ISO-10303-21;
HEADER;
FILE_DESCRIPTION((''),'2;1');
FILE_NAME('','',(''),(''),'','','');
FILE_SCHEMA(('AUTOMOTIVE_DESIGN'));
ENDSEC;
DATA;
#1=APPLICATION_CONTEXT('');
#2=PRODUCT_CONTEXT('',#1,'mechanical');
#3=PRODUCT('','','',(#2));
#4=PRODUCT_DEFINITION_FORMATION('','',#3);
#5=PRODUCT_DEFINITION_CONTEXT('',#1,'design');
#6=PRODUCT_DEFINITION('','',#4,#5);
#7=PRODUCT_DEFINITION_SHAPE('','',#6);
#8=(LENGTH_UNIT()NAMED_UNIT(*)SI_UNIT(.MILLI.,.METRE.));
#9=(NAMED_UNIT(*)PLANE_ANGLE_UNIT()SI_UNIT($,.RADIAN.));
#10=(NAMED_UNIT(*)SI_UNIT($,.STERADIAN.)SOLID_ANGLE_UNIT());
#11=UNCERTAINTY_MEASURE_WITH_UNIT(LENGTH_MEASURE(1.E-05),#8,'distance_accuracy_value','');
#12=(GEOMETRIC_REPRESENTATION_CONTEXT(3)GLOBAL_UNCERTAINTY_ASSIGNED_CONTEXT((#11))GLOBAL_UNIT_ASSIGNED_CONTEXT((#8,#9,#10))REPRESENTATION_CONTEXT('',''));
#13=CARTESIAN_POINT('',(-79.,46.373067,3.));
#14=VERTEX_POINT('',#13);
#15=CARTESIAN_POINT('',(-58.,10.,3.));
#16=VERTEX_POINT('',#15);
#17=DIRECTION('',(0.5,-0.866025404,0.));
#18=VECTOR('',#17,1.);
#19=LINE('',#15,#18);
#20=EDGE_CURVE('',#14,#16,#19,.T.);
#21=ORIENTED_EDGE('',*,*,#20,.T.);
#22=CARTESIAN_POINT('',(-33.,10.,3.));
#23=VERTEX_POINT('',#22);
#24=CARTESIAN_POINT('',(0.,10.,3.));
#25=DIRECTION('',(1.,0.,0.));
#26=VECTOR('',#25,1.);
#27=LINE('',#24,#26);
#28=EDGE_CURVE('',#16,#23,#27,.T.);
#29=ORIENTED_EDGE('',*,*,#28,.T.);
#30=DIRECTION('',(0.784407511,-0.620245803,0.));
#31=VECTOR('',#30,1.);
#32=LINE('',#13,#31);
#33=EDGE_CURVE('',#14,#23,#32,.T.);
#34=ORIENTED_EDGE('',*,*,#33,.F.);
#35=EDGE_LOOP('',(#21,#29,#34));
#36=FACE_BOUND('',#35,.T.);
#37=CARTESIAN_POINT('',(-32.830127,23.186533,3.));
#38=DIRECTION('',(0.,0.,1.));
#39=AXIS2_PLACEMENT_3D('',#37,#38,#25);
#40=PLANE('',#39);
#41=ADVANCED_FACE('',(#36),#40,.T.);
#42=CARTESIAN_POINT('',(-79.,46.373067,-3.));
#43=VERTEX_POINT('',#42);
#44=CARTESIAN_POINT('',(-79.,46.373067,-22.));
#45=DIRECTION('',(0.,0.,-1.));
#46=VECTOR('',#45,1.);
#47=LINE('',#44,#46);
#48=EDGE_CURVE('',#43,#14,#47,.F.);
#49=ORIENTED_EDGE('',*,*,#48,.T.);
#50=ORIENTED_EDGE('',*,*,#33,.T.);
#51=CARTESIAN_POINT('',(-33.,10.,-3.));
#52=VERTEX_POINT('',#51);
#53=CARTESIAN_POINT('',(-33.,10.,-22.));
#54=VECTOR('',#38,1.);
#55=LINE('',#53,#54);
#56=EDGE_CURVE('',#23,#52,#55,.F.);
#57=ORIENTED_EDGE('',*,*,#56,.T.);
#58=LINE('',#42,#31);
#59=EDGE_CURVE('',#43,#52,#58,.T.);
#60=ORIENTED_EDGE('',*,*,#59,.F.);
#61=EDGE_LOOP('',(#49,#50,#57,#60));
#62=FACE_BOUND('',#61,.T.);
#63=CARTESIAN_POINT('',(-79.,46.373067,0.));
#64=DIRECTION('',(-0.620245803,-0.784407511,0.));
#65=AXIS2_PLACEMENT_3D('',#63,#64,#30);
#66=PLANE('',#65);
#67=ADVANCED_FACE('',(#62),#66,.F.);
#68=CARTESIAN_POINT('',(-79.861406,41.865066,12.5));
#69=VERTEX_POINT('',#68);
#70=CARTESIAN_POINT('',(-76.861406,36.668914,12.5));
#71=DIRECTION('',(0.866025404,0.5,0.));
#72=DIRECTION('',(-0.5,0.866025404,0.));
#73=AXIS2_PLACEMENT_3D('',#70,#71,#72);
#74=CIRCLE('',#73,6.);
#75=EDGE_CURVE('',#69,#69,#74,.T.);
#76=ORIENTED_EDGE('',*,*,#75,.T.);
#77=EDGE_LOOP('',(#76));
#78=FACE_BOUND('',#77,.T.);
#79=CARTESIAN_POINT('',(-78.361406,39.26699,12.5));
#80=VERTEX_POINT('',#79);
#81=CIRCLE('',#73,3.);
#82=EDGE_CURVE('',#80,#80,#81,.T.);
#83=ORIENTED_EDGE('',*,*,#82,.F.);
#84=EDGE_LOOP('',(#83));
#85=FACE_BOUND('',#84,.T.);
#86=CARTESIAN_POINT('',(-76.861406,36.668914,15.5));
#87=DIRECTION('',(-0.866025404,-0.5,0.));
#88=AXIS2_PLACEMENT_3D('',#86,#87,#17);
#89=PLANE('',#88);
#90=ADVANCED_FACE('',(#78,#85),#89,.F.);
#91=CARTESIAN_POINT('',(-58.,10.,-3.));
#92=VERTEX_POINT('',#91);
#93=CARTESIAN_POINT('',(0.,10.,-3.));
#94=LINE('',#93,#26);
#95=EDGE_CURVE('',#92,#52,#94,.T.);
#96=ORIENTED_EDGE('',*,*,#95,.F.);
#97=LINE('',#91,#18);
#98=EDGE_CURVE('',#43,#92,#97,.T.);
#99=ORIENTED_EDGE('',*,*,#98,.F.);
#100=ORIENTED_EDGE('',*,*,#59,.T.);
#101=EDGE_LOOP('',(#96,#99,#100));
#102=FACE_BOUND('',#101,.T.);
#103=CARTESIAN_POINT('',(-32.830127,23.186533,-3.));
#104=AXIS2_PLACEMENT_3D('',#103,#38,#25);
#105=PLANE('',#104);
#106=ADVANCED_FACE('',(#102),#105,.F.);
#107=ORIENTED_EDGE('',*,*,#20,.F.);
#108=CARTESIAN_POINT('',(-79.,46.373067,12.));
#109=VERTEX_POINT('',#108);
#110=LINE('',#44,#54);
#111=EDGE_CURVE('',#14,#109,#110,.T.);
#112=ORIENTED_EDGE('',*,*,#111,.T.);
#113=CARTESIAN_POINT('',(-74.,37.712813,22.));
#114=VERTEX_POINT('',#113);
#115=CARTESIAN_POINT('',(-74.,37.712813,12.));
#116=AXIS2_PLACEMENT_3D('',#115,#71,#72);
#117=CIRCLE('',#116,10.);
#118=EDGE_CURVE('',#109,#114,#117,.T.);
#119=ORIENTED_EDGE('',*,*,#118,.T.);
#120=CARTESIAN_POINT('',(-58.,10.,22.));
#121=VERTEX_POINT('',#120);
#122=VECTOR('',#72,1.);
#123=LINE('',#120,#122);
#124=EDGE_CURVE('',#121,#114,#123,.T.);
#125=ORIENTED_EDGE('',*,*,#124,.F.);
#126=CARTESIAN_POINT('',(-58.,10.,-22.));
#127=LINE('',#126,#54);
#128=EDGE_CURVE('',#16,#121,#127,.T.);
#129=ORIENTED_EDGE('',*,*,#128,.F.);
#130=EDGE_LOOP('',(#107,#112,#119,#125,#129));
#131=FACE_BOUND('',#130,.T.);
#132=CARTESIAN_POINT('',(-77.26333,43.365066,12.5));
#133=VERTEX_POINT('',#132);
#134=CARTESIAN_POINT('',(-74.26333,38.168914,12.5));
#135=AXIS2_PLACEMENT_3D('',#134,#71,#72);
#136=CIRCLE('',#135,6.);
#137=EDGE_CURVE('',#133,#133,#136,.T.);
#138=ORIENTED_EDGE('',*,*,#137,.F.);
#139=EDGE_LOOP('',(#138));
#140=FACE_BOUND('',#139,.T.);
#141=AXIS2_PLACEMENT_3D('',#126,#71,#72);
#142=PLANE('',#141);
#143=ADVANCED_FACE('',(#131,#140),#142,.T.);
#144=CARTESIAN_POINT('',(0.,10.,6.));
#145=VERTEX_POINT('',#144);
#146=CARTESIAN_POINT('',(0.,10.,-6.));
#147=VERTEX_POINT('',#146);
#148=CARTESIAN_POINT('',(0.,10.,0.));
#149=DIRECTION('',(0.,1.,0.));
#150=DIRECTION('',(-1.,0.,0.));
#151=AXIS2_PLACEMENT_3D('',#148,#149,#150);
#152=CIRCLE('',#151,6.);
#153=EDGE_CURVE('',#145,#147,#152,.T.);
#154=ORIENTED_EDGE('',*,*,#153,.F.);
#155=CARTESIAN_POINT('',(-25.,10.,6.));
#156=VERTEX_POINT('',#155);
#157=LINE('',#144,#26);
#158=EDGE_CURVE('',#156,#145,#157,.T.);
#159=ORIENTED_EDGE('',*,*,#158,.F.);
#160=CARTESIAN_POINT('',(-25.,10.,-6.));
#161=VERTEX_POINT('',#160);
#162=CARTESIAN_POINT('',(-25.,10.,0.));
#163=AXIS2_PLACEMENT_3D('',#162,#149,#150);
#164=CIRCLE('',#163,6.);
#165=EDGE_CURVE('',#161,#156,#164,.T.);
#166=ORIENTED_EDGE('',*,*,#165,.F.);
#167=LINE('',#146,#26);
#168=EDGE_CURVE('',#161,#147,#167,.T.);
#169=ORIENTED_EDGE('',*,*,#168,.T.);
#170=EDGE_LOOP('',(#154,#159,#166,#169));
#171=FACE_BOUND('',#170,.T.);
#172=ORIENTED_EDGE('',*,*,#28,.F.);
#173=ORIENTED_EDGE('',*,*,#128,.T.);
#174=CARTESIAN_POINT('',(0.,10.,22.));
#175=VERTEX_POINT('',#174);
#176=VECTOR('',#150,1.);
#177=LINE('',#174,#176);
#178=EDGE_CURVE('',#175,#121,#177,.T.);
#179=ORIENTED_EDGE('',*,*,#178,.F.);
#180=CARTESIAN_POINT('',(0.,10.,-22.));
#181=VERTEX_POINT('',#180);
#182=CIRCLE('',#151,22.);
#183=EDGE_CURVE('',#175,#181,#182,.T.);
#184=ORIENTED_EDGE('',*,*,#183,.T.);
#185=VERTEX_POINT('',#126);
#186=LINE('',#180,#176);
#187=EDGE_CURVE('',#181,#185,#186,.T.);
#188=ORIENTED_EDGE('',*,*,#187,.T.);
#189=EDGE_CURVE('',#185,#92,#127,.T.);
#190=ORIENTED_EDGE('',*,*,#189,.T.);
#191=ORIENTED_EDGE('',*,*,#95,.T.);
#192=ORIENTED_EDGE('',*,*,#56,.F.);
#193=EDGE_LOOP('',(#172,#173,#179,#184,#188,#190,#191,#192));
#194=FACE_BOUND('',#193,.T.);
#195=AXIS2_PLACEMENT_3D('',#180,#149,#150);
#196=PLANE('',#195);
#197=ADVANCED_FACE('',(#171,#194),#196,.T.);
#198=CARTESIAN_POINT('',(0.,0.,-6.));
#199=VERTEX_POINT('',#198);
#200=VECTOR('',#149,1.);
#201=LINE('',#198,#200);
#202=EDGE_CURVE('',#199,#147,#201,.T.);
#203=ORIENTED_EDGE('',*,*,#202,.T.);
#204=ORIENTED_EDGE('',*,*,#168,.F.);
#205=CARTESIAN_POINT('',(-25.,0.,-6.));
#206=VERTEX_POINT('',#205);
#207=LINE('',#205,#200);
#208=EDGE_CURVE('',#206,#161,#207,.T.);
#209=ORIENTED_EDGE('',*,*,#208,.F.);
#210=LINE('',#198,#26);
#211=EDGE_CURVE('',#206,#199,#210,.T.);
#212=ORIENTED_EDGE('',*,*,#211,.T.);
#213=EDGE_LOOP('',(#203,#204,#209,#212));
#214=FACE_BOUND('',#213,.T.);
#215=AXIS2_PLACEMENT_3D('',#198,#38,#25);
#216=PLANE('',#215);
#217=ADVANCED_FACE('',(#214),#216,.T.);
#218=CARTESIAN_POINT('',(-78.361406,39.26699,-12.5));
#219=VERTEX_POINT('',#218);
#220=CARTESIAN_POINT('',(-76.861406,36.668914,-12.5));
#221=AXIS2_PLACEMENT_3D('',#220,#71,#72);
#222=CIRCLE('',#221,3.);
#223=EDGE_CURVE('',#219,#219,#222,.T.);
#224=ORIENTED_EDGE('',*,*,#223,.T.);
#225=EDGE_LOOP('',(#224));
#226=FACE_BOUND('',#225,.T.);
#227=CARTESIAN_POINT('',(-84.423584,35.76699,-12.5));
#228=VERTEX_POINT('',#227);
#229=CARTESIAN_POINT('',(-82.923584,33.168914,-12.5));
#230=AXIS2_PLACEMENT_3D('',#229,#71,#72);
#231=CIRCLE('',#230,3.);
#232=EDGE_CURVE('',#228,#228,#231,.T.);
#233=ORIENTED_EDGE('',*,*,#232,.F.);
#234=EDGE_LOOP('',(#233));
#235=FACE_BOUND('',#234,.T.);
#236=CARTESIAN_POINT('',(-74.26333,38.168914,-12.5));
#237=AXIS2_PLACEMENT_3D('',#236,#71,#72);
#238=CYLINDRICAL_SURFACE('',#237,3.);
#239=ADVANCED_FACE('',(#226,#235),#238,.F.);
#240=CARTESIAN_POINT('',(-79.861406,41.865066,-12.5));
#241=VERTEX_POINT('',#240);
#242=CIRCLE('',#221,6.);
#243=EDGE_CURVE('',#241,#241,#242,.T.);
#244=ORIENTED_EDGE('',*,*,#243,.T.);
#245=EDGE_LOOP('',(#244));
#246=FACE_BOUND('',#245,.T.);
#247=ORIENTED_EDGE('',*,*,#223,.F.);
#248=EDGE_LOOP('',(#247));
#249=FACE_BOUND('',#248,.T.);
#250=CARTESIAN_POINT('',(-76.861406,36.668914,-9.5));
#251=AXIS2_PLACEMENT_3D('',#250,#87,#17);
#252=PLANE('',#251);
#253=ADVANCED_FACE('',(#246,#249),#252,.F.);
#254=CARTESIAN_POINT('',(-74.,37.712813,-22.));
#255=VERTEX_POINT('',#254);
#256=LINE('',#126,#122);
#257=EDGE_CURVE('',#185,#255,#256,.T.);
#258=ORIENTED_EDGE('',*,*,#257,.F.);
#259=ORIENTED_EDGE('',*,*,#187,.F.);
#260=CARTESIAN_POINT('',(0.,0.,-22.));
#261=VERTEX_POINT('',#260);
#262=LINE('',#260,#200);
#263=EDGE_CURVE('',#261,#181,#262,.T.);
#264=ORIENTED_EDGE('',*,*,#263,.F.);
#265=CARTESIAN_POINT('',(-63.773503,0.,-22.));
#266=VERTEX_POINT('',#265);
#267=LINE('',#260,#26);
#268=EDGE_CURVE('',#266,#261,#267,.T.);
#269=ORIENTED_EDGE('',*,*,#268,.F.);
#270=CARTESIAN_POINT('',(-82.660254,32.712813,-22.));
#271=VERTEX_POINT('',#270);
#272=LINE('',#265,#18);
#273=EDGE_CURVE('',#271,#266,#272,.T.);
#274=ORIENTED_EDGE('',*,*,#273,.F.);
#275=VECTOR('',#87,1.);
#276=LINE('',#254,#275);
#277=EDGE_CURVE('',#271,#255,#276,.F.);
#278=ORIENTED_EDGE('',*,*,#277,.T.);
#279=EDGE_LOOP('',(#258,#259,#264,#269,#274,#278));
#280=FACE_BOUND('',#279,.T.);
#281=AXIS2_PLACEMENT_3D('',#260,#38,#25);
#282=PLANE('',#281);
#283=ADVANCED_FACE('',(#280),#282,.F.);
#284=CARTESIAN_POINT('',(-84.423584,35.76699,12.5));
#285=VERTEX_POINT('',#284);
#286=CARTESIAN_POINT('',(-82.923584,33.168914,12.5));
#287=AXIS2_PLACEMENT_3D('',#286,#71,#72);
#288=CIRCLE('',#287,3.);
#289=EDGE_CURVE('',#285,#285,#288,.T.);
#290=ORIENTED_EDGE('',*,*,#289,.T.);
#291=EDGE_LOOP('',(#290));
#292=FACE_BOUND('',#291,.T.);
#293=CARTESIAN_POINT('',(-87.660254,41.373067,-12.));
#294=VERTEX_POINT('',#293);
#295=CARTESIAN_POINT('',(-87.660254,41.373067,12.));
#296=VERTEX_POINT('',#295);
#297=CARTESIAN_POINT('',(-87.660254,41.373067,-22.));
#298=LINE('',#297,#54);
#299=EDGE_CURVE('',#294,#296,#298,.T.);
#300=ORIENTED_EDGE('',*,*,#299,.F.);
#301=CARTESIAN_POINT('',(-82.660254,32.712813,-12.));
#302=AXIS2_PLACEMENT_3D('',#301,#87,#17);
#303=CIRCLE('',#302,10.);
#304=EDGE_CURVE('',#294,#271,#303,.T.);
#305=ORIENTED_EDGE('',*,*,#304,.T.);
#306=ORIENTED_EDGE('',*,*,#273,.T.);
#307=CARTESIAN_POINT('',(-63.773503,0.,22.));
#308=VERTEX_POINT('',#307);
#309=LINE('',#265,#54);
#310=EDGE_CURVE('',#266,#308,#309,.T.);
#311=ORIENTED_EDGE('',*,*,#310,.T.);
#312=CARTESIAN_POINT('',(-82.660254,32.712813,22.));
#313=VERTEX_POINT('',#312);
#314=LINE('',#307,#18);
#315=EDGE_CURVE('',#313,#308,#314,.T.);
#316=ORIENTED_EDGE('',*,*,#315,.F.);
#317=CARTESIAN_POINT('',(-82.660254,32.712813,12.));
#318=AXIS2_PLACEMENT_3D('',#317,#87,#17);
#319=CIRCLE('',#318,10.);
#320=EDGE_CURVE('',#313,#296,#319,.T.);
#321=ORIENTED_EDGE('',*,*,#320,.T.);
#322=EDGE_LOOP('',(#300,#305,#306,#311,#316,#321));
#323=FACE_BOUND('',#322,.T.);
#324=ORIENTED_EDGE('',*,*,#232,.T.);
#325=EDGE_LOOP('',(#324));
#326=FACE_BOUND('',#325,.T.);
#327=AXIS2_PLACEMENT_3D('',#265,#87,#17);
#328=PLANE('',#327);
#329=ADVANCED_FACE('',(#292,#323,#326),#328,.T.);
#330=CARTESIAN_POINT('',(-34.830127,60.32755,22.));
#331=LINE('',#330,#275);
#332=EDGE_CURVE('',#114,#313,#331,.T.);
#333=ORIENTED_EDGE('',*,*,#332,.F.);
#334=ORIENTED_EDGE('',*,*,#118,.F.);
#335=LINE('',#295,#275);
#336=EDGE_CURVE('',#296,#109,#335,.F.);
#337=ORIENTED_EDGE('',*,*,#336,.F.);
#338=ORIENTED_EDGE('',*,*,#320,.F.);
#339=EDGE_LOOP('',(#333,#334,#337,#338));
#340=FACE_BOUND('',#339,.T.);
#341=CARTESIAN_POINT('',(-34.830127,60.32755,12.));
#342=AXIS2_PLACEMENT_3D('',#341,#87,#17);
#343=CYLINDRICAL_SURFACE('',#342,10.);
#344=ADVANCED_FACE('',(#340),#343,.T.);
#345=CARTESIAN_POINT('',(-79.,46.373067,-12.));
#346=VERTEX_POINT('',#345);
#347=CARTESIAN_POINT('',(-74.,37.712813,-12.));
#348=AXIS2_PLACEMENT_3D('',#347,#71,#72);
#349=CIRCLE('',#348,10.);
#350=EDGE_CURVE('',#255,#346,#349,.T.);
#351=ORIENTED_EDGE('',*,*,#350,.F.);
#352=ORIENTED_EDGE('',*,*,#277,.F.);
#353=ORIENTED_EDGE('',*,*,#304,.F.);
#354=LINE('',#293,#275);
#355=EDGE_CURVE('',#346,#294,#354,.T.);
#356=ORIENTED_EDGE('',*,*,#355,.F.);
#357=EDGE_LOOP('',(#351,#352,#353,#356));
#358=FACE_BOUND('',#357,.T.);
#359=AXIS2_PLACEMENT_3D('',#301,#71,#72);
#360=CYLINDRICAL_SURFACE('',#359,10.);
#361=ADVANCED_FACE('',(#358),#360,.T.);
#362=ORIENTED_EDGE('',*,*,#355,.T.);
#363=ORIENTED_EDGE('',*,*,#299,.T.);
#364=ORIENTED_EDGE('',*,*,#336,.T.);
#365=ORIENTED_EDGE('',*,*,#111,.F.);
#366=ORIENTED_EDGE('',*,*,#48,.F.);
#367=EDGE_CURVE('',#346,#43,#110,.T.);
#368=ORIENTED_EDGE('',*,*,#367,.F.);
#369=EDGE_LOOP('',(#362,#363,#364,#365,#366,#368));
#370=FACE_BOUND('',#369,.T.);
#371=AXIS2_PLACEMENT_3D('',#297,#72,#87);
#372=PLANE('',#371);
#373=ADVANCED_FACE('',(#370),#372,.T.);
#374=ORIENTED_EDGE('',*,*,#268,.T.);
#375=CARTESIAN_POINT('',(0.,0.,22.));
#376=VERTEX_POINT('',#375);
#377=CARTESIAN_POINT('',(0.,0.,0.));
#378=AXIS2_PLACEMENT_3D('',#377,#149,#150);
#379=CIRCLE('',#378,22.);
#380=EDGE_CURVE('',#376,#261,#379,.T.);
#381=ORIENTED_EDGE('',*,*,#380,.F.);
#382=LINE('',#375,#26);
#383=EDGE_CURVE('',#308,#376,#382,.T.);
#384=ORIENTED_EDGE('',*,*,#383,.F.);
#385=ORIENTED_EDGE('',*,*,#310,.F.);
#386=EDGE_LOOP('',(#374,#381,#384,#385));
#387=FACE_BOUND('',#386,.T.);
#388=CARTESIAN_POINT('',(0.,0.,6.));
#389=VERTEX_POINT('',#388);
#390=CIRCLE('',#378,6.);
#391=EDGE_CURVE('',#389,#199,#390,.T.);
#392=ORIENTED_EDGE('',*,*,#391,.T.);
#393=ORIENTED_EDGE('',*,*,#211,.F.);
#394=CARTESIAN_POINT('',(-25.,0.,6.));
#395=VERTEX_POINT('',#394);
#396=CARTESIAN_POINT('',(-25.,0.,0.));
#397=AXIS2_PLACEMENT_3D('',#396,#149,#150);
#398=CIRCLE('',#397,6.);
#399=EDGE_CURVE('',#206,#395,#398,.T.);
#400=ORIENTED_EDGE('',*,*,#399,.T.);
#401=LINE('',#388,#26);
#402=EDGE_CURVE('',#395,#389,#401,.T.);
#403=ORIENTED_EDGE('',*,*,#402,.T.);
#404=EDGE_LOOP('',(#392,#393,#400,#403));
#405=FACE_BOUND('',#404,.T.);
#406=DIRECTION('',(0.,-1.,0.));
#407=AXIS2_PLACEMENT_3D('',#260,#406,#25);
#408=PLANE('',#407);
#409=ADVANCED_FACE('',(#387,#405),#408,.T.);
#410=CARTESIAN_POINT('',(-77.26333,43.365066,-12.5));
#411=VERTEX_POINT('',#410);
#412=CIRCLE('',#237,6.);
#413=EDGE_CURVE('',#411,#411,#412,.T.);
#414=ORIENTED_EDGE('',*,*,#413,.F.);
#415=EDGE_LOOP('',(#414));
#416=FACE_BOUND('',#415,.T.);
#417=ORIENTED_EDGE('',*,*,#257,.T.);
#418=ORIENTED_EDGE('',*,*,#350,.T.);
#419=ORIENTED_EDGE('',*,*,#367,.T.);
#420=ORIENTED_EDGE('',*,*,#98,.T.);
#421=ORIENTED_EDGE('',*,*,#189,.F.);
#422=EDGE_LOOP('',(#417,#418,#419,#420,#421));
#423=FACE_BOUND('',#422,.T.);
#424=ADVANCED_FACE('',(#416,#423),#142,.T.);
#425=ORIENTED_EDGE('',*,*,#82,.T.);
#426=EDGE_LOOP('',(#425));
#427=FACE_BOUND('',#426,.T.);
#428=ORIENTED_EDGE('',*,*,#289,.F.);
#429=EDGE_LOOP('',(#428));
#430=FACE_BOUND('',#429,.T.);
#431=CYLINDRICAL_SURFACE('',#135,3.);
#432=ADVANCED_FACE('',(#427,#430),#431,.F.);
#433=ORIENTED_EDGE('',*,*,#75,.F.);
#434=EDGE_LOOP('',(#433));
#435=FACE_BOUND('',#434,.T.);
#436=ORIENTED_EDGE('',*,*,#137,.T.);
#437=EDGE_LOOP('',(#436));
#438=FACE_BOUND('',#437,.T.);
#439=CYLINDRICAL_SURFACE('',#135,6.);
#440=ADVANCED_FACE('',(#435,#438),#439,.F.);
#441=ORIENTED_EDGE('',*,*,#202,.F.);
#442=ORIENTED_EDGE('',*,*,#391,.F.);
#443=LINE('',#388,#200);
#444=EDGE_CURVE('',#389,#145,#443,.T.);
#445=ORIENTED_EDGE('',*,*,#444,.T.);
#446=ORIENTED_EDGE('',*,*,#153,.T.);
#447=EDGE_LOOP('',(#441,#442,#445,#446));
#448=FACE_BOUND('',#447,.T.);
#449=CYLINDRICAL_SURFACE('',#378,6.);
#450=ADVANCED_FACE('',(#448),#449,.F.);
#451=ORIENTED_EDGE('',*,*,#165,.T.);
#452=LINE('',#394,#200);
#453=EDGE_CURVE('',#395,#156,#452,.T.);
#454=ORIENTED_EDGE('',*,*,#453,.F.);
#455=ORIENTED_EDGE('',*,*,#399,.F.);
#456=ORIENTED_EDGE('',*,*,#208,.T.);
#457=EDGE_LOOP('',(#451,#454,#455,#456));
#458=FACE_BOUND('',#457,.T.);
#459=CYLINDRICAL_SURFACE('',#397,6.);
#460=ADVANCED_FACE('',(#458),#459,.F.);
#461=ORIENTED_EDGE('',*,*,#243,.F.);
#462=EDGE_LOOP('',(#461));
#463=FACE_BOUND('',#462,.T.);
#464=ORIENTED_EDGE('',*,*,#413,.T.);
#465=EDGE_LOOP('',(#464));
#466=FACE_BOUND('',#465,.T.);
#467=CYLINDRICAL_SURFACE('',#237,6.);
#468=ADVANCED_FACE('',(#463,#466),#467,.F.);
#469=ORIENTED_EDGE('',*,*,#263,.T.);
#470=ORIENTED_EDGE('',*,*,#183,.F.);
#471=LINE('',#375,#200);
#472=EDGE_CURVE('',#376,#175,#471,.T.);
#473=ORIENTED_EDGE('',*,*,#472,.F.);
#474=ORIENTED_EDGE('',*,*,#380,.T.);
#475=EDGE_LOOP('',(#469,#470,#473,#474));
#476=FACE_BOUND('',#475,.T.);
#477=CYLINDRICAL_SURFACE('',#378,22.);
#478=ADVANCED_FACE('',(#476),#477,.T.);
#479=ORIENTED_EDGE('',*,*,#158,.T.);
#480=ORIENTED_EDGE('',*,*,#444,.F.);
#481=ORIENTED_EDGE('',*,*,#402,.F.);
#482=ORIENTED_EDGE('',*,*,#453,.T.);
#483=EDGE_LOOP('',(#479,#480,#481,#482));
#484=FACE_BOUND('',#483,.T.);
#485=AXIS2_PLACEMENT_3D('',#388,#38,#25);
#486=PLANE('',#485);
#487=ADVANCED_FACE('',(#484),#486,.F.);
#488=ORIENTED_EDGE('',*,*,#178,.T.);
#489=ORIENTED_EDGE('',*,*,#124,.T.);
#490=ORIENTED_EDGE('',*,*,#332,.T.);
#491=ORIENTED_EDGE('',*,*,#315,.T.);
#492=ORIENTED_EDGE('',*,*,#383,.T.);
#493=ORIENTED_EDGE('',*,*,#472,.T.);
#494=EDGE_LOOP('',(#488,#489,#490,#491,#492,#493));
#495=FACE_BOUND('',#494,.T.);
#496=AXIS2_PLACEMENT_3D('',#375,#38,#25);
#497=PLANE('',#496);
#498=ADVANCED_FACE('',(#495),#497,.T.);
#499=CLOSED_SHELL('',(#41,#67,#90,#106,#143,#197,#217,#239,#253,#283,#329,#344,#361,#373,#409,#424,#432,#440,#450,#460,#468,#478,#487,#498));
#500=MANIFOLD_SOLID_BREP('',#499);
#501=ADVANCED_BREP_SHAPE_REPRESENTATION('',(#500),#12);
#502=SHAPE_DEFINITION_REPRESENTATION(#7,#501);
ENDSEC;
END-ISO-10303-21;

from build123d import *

# Parameters (mm, degrees)
BOSS_EXTRUDE1_DEPTH                     = 22
BOSS_EXTRUDE1_DEPTH_BACK                = 22
BOSS_EXTRUDE3_DEPTH                     = 10
CUT_EXTRUDE2_DEPTH                      = 10
RIB1_REACH                              = 103.581
SKETCH4_WALL_W                          = 263.805794056
SKETCH4_WALL_H                          = 6
CBORE_FOR_M5_HEX_HEAD_BOLT1_D           = 6
CBORE_FOR_M5_HEX_HEAD_BOLT1_DEPTH       = 10
CBORE_FOR_M5_HEX_HEAD_BOLT1_CBORE_D     = 12
CBORE_FOR_M5_HEX_HEAD_BOLT1_CBORE_DEPTH = 3
CBORE_FOR_M5_HEX_HEAD_BOLT1_TIP         = 1.732050808
FILLET1_R                               = 10


with BuildPart() as part:
    # Sketch1 → Boss-Extrude1 (new, two sides: drawn at the far end of the back side and taken through both)
    with BuildSketch(Plane.XY.offset(-BOSS_EXTRUDE1_DEPTH_BACK)):
        Polygon((0, 0), (-63.773502692, 0), (-87.660254038, 41.373066959), (-79, 46.373066959), (-58, 10), (0, 10), align=None)
    extrude(amount=BOSS_EXTRUDE1_DEPTH + BOSS_EXTRUDE1_DEPTH_BACK)

    # Sketch3 → Boss-Extrude3 (add)
    with BuildSketch(Plane(origin=(0, 10, 0), x_dir=(1, 0, 0), z_dir=(0, 1, 0))):
        with BuildLine():
            Line((0, -6), (0, -22))
            ThreePointArc((0, -22), (22, 0), (0, 22))
            Line((0, 22), (0, 6))
            ThreePointArc((0, 6), (6, 0), (0, -6))
        make_face()
    extrude(amount=-BOSS_EXTRUDE3_DEPTH)

    # Sketch3<3> → Cut-Extrude2 (cut)
    with BuildSketch(Plane(origin=(0, 10, 0), x_dir=(1, 0, 0), z_dir=(0, 1, 0))):
        with BuildLine():
            ThreePointArc((0, -6), (6, 0), (0, 6))
            Line((0, 6), (-25, 6))
            ThreePointArc((-25, 6), (-31, 0), (-25, -6))
            Line((-25, -6), (0, -6))
        make_face()
    extrude(amount=-CUT_EXTRUDE2_DEPTH, mode=Mode.SUBTRACT)

    # Sketch4 wall → Rib1 (add, up to next)
    with BuildSketch(Plane(origin=(-56, 28.186533479, 0), x_dir=(0.784407511397, -0.620245802939, 0), z_dir=(0.620245802939, 0.784407511397, 0)), mode=Mode.PRIVATE) as rib1_sk1:
        Rectangle(SKETCH4_WALL_W, SKETCH4_WALL_H)
    rib1_tool1 = extrude(rib1_sk1.sketch, amount=-RIB1_REACH, mode=Mode.PRIVATE) - part.part
    add(rib1_tool1.solids().sort_by_distance((-56, 28.186533479, 0))[0])

    # CBORE for M5 Hex Head Bolt1
    with Locations(Plane(origin=(-39.169872981, -22.61473671, 0), x_dir=(0, 0, -1), z_dir=(0.8660254037844395, 0.49999999999999856, 0))):
        with Locations((-12.5, 70.186913626), (12.5, 70.186913626)):
            CounterBoreHole(CBORE_FOR_M5_HEX_HEAD_BOLT1_D / 2, CBORE_FOR_M5_HEX_HEAD_BOLT1_CBORE_D / 2, CBORE_FOR_M5_HEX_HEAD_BOLT1_CBORE_DEPTH, depth=CBORE_FOR_M5_HEX_HEAD_BOLT1_DEPTH)
            with Locations((0, 0, -(CBORE_FOR_M5_HEX_HEAD_BOLT1_DEPTH + CBORE_FOR_M5_HEX_HEAD_BOLT1_TIP / 2))):  # 120° drill point
                Cone(0, CBORE_FOR_M5_HEX_HEAD_BOLT1_D / 2, CBORE_FOR_M5_HEX_HEAD_BOLT1_TIP, mode=Mode.SUBTRACT)

    # Fillet1
    fillet1_edges = [part.edges().sort_by_distance(p)[0] for p in [
        (-83.330127019, 43.873066959, -22),
        (-83.330127019, 43.873066959, 22),
    ]]
    fillet(fillet1_edges, radius=FILLET1_R)


solid = part.part
